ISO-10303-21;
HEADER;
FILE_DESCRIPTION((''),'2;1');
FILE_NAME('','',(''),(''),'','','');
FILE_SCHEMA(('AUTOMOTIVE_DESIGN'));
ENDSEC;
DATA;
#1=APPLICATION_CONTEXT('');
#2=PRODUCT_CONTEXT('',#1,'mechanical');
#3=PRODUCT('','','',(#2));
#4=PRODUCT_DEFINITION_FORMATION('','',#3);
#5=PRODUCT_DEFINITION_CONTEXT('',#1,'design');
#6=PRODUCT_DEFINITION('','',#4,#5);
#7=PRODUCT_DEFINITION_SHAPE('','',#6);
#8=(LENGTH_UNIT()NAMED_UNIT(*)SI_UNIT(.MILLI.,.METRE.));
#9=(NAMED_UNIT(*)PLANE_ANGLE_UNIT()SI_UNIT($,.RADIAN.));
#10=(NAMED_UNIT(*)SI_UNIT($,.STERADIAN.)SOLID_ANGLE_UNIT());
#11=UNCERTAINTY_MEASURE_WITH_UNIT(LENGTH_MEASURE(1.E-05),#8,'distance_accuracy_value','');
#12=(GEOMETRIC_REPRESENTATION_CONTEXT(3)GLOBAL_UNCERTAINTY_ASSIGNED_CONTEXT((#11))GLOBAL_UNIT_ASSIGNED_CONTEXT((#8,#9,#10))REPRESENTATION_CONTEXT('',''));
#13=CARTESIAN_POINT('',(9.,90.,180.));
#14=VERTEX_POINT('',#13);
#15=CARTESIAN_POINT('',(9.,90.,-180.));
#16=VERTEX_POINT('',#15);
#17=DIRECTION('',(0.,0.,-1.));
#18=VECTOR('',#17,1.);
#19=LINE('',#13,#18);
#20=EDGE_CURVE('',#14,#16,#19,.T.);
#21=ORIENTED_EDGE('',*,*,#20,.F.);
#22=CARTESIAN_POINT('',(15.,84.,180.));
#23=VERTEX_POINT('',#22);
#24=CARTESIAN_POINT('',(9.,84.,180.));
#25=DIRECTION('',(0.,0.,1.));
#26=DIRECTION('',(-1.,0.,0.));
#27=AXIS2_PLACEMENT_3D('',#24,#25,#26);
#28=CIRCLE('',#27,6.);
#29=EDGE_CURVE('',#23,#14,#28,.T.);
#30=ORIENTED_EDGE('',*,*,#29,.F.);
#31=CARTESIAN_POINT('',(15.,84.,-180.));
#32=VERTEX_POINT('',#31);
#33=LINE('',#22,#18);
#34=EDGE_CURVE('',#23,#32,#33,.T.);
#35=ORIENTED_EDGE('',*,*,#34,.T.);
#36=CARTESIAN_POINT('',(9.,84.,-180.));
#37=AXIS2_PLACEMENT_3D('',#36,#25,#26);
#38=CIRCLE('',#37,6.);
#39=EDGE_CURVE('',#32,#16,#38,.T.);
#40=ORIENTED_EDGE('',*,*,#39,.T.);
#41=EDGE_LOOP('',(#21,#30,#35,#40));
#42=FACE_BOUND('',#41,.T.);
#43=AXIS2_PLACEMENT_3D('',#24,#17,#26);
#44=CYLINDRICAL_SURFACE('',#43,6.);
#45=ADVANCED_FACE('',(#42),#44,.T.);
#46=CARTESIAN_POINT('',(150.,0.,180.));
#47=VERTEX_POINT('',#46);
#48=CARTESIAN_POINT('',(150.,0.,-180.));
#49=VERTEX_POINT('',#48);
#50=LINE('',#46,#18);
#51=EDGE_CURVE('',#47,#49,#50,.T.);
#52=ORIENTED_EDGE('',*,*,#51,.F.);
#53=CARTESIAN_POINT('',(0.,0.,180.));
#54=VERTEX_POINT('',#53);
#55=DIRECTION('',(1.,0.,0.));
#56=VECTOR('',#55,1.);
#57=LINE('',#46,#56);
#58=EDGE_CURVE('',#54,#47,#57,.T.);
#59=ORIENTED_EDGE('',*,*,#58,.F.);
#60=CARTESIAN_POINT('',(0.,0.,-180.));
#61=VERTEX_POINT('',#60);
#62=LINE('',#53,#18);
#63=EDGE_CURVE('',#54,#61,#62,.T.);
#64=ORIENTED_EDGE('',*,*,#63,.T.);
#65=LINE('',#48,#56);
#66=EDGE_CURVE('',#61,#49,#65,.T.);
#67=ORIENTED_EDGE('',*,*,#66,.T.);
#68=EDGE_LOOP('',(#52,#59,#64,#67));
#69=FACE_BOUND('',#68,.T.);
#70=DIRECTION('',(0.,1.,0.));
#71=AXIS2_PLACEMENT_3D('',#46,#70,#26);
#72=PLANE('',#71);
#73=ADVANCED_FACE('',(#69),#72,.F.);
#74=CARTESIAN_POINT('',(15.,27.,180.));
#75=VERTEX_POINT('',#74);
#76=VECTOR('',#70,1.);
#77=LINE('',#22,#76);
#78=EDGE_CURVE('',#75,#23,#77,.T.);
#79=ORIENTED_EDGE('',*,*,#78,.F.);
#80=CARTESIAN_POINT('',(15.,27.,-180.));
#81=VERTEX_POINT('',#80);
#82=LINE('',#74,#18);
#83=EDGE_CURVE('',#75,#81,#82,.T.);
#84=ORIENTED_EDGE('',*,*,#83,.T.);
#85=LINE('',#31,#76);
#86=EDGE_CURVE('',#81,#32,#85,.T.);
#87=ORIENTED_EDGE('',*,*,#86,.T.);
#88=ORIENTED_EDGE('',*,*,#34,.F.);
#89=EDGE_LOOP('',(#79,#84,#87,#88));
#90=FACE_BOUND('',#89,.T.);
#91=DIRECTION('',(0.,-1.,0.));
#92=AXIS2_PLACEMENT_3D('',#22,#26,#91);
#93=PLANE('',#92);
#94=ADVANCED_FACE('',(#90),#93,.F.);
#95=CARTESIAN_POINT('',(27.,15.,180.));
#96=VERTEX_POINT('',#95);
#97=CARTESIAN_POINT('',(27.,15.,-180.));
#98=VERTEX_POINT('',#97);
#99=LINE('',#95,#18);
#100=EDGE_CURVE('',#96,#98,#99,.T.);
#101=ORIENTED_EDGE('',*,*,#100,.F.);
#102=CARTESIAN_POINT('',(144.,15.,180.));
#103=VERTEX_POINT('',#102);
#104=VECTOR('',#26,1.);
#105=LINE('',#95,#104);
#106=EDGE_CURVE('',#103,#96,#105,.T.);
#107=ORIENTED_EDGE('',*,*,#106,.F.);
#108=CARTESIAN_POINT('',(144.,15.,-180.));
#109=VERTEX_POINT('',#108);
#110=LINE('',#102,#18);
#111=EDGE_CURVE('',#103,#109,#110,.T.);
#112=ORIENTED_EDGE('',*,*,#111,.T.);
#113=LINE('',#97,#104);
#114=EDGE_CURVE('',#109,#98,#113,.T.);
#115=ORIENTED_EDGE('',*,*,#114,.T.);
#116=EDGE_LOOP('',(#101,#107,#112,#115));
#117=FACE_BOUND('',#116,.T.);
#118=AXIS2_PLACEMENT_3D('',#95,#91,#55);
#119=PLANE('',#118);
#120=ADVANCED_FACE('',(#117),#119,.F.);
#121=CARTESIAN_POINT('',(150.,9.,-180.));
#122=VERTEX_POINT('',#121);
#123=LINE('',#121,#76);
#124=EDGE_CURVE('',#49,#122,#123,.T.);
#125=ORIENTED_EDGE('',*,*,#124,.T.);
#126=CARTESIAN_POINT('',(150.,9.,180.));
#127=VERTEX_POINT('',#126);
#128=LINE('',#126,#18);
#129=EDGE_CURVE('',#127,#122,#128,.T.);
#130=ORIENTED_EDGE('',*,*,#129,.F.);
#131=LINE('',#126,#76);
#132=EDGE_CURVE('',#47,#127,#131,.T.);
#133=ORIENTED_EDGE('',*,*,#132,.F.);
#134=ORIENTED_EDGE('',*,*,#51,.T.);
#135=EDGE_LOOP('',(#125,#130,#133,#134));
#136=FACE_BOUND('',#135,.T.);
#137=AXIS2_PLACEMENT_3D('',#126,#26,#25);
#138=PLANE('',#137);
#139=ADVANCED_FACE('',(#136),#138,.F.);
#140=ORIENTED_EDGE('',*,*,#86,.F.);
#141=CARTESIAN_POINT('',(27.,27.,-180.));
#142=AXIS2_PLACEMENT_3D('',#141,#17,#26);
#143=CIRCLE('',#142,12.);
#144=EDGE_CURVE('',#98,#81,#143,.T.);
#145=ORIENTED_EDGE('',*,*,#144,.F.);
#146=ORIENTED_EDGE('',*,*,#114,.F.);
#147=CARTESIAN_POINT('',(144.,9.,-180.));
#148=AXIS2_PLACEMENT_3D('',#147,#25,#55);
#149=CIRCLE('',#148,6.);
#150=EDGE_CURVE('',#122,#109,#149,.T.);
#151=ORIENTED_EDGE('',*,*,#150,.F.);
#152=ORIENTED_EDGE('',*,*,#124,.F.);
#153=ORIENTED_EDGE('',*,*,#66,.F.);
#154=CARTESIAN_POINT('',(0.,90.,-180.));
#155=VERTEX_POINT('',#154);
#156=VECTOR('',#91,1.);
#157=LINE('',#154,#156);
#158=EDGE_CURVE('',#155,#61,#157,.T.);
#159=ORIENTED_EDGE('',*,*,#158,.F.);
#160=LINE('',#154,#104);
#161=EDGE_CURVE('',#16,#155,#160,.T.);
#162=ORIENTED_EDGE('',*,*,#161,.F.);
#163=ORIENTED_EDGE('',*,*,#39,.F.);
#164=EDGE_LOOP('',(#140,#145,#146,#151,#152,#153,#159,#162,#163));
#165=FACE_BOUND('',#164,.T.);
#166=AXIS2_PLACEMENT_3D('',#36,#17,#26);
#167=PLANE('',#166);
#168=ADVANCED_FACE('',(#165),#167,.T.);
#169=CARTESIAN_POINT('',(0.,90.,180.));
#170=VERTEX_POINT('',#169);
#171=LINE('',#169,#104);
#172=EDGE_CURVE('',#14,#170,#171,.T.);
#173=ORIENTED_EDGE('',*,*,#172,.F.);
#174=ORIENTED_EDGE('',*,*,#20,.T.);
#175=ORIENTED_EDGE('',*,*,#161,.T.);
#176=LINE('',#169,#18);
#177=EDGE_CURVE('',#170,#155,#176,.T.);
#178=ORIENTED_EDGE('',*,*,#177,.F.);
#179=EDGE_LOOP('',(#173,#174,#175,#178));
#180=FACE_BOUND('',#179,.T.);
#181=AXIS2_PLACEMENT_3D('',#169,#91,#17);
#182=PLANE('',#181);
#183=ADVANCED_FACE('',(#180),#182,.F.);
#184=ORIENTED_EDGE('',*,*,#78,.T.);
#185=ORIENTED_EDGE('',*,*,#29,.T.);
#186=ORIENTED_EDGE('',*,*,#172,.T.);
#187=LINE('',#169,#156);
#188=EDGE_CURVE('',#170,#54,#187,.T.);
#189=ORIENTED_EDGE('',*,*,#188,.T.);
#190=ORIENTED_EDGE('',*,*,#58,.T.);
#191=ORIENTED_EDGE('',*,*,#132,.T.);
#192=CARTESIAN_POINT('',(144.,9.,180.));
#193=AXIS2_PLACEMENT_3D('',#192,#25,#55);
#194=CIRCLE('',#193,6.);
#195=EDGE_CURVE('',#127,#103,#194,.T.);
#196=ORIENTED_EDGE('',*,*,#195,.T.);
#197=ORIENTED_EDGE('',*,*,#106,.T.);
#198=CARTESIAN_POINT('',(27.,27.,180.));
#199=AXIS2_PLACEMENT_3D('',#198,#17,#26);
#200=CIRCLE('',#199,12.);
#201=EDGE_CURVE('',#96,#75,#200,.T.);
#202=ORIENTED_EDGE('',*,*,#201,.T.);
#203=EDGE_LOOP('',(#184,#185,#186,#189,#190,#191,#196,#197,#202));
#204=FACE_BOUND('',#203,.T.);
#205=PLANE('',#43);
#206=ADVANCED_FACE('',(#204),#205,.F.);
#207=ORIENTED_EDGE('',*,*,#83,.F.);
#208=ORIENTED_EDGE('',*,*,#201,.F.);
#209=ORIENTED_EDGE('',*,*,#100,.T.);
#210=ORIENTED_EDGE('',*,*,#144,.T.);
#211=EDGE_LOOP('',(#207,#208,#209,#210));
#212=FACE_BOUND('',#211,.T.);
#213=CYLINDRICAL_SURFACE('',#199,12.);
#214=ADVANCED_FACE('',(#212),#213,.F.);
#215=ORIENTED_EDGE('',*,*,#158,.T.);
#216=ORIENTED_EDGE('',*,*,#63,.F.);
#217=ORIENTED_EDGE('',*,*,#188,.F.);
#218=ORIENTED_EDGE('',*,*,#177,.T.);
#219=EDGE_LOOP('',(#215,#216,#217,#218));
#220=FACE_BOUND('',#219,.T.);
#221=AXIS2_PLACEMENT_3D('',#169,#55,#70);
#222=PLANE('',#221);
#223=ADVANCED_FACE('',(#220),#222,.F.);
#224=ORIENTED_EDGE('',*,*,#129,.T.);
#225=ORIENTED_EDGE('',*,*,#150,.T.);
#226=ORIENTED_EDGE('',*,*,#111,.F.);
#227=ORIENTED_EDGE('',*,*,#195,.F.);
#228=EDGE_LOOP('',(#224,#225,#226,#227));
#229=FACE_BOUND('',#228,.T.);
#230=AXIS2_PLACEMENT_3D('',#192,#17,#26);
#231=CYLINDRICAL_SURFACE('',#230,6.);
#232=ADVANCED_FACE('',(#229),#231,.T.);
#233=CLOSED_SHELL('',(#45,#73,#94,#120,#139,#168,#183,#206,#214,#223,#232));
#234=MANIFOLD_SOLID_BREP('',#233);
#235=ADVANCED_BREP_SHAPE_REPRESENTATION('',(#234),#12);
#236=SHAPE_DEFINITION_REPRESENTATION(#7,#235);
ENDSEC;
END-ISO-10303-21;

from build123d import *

# Parameters (mm, degrees)
EA_RSA40X40X5_1_DEPTH = 360


with BuildPart() as part:
    # Sketch1 → Ea RSA40X40X5(1) (new body)
    with BuildSketch(Plane.XY.offset(-180)):
        with BuildLine():
            Line((0, 90), (0, 0))
            Line((0, 0), (150, 0))
            Line((150, 0), (150, 9))
            ThreePointArc((150, 9), (148.242640687, 13.242640687), (144, 15))
            Line((144, 15), (27, 15))
            ThreePointArc((27, 15), (18.514718626, 18.514718626), (15, 27))
            Line((15, 27), (15, 84))
            ThreePointArc((15, 84), (13.242640687, 88.242640687), (9, 90))
            Line((9, 90), (0, 90))
        make_face()
    extrude(amount=EA_RSA40X40X5_1_DEPTH)


solid = part.part
